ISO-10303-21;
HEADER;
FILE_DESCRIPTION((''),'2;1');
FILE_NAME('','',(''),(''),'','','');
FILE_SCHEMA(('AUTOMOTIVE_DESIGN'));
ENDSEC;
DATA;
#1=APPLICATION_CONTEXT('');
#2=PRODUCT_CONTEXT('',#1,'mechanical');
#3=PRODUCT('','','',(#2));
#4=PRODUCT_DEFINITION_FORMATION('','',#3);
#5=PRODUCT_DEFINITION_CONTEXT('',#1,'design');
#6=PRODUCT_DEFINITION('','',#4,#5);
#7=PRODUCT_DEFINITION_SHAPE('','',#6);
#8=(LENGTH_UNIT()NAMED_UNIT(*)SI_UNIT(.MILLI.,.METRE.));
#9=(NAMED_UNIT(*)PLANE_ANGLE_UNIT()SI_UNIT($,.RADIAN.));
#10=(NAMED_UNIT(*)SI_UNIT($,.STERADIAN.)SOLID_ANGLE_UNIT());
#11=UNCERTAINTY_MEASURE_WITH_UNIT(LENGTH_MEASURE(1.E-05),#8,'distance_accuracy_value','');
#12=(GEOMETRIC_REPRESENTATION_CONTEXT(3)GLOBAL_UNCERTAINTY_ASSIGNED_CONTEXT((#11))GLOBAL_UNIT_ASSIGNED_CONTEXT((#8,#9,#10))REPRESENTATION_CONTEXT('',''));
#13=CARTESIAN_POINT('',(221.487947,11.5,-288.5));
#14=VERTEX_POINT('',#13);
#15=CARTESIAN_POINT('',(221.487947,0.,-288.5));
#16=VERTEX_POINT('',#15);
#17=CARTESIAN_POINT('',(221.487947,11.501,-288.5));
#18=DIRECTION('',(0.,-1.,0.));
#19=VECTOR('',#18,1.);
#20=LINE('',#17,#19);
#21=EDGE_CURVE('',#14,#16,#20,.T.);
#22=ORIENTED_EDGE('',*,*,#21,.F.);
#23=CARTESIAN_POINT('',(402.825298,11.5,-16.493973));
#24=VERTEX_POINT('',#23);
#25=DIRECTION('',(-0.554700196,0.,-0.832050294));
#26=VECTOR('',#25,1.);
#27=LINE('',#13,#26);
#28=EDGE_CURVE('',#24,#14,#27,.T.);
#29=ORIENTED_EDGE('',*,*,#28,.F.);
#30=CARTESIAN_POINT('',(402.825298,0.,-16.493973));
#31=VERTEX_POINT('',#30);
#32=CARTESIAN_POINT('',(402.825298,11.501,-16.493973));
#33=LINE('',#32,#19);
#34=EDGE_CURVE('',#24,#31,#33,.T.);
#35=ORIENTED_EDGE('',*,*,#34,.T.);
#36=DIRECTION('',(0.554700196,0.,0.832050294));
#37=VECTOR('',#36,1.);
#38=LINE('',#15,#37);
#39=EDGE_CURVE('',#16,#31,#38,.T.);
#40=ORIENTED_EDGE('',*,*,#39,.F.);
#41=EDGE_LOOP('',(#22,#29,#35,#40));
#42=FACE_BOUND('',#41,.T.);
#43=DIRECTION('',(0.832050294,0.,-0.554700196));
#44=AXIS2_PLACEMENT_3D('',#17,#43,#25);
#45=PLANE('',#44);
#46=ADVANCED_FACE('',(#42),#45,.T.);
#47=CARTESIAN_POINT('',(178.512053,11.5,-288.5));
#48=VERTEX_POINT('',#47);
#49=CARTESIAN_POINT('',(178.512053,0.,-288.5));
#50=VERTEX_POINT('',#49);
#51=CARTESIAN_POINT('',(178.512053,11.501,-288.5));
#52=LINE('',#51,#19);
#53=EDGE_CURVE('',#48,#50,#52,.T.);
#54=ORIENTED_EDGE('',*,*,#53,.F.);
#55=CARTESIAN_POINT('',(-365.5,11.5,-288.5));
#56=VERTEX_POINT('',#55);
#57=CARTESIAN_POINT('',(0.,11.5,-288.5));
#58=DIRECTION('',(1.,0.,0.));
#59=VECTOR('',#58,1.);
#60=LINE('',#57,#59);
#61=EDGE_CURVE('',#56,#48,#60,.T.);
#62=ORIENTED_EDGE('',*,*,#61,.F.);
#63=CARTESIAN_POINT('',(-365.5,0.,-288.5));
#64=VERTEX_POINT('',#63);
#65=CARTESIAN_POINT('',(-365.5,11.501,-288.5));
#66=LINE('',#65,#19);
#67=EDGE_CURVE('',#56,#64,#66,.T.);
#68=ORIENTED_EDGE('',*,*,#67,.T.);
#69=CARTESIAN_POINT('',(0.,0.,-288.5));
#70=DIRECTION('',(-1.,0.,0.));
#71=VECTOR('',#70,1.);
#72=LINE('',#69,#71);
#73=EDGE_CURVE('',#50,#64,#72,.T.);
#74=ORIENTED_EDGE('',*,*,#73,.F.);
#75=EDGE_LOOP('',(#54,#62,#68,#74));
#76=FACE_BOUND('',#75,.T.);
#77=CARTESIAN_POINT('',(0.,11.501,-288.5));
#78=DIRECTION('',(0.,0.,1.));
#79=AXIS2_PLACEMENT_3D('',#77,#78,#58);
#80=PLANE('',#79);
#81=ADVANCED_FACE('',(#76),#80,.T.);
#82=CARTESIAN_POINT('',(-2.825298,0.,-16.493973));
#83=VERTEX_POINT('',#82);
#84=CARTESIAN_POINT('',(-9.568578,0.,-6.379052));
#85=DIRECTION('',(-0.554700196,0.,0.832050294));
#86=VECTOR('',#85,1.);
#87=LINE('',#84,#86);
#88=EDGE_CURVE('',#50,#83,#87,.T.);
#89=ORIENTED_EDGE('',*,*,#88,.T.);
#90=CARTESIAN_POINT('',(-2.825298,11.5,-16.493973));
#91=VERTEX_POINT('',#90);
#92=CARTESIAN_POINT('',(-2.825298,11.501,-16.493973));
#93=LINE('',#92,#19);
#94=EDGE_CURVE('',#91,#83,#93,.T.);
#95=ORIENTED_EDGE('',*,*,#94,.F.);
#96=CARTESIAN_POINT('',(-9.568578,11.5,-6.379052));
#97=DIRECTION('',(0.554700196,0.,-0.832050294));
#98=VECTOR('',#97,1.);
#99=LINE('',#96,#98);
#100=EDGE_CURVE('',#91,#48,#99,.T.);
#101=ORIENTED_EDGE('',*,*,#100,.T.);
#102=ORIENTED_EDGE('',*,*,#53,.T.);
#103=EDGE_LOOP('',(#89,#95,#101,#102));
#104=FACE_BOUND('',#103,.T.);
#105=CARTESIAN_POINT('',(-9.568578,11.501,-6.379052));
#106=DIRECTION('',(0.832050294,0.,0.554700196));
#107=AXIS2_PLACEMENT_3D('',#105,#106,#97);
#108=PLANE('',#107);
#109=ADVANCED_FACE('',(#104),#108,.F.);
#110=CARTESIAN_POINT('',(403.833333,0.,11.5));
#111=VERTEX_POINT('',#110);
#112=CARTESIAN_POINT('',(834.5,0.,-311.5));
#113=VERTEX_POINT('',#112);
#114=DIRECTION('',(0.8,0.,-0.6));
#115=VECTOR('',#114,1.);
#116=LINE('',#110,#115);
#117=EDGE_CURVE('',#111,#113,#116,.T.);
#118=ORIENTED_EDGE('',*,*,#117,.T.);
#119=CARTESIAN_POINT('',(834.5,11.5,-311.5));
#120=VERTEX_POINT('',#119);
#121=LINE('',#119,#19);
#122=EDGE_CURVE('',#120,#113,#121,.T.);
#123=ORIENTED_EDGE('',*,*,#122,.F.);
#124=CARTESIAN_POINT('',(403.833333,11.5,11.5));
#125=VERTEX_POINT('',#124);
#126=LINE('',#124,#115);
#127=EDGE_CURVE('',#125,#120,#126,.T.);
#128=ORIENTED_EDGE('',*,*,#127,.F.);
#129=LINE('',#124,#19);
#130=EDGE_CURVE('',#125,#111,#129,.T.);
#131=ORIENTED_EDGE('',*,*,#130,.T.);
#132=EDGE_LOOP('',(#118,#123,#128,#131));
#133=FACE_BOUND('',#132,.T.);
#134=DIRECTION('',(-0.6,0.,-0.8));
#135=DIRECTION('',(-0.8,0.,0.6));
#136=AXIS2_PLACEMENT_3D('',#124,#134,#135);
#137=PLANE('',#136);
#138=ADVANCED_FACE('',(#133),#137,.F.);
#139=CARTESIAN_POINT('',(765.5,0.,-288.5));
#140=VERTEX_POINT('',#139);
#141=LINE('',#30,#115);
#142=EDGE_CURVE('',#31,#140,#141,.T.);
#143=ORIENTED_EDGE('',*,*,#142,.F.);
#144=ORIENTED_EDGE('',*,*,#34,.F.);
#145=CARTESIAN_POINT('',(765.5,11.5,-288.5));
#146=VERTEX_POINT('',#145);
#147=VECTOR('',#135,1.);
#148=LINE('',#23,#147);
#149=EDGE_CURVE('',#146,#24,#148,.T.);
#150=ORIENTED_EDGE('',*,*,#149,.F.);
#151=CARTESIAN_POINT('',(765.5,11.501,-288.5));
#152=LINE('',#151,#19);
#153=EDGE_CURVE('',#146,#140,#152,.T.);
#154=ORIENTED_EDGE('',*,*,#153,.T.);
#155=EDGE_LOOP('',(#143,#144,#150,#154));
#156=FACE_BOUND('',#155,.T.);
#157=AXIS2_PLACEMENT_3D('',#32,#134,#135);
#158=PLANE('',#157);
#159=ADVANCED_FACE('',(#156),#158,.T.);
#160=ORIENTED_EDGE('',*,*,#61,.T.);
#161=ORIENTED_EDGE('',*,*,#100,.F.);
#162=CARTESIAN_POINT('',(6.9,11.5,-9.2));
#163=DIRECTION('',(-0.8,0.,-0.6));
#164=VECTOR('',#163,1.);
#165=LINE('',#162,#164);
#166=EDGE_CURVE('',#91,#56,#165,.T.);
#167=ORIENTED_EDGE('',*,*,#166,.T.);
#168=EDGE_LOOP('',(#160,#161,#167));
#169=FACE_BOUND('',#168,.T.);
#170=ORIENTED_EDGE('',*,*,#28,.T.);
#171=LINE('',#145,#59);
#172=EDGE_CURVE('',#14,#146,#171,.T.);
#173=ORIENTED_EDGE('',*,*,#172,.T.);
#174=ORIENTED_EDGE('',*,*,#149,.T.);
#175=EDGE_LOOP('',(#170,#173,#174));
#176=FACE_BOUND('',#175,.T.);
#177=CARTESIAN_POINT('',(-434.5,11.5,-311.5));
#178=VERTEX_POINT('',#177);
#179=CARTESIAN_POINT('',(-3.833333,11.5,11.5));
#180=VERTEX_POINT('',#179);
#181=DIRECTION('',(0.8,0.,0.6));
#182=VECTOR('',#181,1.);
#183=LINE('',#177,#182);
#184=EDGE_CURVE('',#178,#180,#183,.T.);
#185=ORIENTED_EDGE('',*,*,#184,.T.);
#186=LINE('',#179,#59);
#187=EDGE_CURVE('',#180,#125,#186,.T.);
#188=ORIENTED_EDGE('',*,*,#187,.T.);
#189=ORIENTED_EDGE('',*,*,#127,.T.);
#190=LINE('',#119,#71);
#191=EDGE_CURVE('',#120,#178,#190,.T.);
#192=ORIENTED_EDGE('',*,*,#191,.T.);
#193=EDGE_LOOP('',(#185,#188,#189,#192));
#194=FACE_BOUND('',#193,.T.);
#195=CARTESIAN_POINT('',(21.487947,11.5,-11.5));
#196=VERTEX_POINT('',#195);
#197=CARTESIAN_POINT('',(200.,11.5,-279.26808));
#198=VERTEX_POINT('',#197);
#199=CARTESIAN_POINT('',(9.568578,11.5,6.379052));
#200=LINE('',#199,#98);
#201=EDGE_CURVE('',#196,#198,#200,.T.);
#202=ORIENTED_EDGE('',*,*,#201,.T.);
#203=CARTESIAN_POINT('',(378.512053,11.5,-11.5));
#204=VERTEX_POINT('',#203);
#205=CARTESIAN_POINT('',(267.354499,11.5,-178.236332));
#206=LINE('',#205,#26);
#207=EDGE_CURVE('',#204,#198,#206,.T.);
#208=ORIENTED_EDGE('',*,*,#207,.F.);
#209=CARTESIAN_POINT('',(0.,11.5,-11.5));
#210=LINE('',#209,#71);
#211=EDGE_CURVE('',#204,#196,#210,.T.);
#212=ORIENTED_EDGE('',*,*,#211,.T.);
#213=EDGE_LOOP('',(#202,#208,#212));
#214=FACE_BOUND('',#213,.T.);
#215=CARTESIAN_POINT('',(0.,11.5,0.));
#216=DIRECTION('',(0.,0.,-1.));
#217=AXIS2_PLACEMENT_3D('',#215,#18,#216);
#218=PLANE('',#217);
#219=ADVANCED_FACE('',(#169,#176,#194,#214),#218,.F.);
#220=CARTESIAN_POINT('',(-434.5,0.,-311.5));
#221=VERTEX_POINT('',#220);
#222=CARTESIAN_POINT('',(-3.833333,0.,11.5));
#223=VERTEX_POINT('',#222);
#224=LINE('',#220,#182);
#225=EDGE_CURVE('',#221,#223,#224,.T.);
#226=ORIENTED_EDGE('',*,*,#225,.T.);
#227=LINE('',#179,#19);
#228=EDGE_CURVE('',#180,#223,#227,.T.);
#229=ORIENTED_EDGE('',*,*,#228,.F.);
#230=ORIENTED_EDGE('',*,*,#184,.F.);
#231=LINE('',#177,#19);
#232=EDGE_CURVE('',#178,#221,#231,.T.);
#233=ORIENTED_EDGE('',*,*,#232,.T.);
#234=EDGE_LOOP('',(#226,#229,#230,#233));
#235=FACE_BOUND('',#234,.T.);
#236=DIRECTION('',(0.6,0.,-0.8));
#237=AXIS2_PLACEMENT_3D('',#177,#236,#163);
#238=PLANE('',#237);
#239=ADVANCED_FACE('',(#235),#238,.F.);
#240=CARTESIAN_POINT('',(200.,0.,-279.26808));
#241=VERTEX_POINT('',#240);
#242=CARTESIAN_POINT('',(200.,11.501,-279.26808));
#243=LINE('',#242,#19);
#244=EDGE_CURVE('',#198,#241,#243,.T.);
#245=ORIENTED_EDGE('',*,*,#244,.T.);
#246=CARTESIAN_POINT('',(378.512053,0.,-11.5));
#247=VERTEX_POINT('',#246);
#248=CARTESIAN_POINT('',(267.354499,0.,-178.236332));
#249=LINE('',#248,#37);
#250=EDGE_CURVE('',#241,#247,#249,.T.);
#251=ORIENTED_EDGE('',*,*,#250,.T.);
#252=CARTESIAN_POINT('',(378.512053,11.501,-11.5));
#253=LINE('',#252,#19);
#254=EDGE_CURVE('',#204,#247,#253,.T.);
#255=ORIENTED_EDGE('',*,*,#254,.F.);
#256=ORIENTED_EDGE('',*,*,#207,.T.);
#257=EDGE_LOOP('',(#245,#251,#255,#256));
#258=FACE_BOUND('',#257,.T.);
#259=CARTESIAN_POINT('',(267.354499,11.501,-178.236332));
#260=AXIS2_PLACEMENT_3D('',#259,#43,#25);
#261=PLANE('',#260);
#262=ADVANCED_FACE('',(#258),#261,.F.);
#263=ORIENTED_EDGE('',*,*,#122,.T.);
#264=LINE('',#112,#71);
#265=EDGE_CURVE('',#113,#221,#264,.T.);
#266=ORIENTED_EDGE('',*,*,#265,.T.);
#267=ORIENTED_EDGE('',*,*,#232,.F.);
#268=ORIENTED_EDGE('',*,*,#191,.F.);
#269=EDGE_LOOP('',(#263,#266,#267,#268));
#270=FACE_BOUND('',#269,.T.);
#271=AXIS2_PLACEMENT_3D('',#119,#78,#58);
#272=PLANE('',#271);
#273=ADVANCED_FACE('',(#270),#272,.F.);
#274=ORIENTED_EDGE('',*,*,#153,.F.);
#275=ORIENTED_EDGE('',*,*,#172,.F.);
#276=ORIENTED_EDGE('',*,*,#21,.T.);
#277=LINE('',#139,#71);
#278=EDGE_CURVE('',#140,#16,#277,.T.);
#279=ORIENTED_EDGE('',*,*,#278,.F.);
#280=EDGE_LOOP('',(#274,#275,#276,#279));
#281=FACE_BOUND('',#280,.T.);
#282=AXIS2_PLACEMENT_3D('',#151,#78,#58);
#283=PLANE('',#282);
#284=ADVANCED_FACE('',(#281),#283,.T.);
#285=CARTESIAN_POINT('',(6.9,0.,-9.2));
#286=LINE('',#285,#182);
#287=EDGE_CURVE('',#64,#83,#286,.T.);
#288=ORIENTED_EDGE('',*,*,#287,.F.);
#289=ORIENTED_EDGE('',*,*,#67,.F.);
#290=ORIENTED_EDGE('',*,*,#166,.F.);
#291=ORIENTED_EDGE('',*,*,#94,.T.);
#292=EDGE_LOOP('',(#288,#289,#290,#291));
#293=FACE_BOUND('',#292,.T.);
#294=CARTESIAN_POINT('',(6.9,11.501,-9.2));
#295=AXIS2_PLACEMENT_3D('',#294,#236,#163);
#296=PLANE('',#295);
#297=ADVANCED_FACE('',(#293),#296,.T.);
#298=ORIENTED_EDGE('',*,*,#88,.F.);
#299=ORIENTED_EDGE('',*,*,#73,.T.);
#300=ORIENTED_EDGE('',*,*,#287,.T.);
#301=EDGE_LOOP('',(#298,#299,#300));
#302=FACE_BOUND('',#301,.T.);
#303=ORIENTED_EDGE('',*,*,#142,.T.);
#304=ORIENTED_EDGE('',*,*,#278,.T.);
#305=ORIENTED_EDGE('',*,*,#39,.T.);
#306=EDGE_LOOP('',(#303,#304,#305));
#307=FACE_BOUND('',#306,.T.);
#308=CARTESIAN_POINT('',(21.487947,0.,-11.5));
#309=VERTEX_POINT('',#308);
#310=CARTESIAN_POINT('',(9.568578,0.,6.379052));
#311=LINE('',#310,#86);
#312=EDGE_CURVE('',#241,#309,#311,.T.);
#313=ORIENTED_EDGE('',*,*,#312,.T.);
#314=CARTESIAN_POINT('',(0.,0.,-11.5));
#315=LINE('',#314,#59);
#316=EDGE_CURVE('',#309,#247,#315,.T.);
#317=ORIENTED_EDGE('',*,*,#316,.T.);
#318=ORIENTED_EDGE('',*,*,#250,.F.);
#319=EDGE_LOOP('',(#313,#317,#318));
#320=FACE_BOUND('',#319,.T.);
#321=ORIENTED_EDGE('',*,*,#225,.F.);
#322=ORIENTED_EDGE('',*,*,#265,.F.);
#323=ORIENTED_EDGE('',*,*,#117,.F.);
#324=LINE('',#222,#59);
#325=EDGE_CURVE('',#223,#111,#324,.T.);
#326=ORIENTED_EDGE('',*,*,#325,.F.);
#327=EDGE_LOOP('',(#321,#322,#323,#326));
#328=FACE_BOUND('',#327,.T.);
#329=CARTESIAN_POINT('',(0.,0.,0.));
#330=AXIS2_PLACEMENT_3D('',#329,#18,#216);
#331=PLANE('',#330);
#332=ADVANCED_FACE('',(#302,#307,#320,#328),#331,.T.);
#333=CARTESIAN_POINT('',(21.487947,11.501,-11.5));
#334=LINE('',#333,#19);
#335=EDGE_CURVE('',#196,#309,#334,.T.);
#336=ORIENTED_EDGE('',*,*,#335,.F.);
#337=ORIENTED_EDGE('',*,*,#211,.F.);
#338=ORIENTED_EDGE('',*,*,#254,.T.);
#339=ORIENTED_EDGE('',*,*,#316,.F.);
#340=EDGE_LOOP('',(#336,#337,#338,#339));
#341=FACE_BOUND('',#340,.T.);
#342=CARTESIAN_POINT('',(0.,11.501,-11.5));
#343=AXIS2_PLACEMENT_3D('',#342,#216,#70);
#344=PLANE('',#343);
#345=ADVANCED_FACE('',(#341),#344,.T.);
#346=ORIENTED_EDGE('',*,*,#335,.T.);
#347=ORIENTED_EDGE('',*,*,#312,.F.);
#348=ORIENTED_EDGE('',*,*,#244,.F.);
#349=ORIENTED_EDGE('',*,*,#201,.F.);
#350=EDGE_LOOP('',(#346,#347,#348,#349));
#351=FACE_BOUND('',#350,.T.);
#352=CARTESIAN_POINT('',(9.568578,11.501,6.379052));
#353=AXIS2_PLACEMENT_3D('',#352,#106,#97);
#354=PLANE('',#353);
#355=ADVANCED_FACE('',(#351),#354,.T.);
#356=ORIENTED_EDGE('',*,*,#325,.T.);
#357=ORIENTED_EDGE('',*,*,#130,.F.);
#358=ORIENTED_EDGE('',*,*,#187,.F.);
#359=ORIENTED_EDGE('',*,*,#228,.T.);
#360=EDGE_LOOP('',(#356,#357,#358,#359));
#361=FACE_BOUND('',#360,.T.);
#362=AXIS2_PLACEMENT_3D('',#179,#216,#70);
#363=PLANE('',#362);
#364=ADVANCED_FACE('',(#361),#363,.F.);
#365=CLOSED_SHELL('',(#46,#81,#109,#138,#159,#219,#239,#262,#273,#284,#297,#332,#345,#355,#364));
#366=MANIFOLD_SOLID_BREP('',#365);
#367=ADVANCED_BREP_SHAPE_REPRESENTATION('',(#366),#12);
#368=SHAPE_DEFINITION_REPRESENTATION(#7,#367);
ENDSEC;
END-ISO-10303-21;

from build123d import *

# Parameters (mm, degrees)
BOSS_EXTRUDE2_DEPTH = 11.5
CUT_EXTRUDE3_REACH  = 892.817


with BuildPart() as part:
    # Sketch1 → Boss-Extrude2 (new body)
    with BuildSketch(Plane(origin=(0, 0, 0), x_dir=(1, 0, 0), z_dir=(0, 1, 0))):
        Polygon((-434.5, 311.5), (-3.833333333, -11.5), (403.833333333, -11.5), (834.5, 311.5), align=None)
    extrude(amount=BOSS_EXTRUDE2_DEPTH)

    # Sketch1<8> → Cut-Extrude3 (cut, up to next)
    with BuildSketch(Plane(origin=(0, 0, 0), x_dir=(1, 0, 0), z_dir=(0, 1, 0)), mode=Mode.PRIVATE) as cut_extrude3_sk1:
        Polygon((178.512053444, 288.5), (-365.5, 288.5), (-2.825297704, 16.493973278), align=None)
    cut_extrude3_tool1 = extrude(cut_extrude3_sk1.sketch, amount=CUT_EXTRUDE3_REACH, mode=Mode.PRIVATE) & part.part
    # Sketch1<8> → Cut-Extrude3 (cut, up to next)
    with BuildSketch(Plane(origin=(0, 0, 0), x_dir=(1, 0, 0), z_dir=(0, 1, 0)), mode=Mode.PRIVATE) as cut_extrude3_sk2:
        Polygon((200, 279.268080166), (21.487946556, 11.5), (378.512053444, 11.5), align=None)
    cut_extrude3_tool2 = extrude(cut_extrude3_sk2.sketch, amount=CUT_EXTRUDE3_REACH, mode=Mode.PRIVATE) & part.part
    # Sketch1<8> → Cut-Extrude3 (cut, up to next)
    with BuildSketch(Plane(origin=(0, 0, 0), x_dir=(1, 0, 0), z_dir=(0, 1, 0)), mode=Mode.PRIVATE) as cut_extrude3_sk3:
        Polygon((221.487946556, 288.5), (402.825297704, 16.493973278), (765.5, 288.5), align=None)
    cut_extrude3_tool3 = extrude(cut_extrude3_sk3.sketch, amount=CUT_EXTRUDE3_REACH, mode=Mode.PRIVATE) & part.part
    add(cut_extrude3_tool1.solids().sort_by_distance((-63.271081, 0, -197.831324))[0], mode=Mode.SUBTRACT)
    add(cut_extrude3_tool2.solids().sort_by_distance((200, 0, -100.756027))[0], mode=Mode.SUBTRACT)
    add(cut_extrude3_tool3.solids().sort_by_distance((463.271081, 0, -197.831324))[0], mode=Mode.SUBTRACT)


solid = part.part
